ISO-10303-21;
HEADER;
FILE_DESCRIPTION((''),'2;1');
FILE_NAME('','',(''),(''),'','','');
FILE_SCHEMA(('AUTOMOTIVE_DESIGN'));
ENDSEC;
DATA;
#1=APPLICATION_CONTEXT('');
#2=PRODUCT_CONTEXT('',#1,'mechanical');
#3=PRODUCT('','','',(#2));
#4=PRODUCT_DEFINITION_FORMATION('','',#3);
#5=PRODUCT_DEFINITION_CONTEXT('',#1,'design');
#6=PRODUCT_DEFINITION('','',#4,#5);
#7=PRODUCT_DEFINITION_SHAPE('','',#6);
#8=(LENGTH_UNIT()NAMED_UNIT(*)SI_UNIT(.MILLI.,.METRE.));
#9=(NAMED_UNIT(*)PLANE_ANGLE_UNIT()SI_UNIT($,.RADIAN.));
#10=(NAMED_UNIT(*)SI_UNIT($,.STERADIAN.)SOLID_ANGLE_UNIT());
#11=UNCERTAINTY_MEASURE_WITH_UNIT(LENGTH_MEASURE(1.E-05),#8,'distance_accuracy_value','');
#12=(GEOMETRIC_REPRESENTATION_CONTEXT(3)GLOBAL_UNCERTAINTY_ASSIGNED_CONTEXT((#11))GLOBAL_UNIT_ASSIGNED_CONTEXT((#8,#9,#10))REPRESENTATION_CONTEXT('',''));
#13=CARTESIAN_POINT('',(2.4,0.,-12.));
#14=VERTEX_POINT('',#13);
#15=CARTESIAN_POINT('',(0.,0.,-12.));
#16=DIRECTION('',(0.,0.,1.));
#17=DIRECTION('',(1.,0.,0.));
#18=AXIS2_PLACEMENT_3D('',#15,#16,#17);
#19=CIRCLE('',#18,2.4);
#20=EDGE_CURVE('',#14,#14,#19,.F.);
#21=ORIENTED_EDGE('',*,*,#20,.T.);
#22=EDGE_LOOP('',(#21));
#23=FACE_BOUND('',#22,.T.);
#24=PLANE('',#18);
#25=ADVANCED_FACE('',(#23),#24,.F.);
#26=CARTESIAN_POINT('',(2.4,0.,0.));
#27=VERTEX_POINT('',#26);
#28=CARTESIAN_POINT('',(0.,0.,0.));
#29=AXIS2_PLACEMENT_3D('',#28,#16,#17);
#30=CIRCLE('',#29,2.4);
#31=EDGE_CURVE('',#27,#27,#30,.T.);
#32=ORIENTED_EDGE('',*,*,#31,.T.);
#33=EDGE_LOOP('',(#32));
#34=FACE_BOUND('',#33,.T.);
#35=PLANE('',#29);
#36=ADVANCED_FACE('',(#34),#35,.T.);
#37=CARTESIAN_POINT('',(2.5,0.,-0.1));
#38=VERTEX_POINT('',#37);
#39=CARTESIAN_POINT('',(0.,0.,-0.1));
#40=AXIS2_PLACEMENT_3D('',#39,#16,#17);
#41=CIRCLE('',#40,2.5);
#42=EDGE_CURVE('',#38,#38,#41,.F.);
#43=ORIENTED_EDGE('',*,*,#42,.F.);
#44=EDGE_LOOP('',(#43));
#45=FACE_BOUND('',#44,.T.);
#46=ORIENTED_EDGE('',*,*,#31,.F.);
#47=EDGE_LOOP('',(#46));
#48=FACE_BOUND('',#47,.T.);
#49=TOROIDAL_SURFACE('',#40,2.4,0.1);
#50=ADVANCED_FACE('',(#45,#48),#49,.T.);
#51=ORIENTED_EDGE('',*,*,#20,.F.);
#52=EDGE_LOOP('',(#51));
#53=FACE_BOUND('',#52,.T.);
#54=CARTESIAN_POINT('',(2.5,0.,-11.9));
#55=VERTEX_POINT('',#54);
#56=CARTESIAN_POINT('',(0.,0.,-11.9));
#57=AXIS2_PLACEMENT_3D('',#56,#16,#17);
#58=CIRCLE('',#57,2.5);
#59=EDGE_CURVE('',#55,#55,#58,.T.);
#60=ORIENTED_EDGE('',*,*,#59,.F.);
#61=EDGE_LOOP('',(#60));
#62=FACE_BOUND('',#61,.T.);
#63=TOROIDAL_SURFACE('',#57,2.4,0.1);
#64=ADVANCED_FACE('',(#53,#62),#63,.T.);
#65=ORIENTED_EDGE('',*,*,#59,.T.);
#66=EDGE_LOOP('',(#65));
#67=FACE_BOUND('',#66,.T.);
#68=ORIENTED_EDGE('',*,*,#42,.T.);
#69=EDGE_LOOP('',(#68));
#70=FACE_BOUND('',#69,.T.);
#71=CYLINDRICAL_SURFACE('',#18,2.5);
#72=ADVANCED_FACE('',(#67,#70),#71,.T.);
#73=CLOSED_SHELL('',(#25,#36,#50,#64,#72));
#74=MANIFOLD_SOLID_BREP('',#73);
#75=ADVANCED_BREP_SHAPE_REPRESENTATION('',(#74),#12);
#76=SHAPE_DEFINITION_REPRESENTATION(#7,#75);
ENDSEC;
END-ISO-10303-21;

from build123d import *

# Parameters (mm, degrees)
SKETCH1_R           = 2.5
BOSS_EXTRUDE1_DEPTH = 12
FILLET1_R           = 0.1


with BuildPart() as part:
    # Sketch1 → Boss-Extrude1 (new body)
    with BuildSketch(Plane.XY):
        Circle(SKETCH1_R)
    extrude(amount=-BOSS_EXTRUDE1_DEPTH)

    # Fillet1
    fillet1_edges = [part.edges().sort_by_distance(p)[0] for p in [
        (-2.5, 0, 0),
        (-2.5, 0, -12),
    ]]
    fillet(fillet1_edges, radius=FILLET1_R)


solid = part.part
